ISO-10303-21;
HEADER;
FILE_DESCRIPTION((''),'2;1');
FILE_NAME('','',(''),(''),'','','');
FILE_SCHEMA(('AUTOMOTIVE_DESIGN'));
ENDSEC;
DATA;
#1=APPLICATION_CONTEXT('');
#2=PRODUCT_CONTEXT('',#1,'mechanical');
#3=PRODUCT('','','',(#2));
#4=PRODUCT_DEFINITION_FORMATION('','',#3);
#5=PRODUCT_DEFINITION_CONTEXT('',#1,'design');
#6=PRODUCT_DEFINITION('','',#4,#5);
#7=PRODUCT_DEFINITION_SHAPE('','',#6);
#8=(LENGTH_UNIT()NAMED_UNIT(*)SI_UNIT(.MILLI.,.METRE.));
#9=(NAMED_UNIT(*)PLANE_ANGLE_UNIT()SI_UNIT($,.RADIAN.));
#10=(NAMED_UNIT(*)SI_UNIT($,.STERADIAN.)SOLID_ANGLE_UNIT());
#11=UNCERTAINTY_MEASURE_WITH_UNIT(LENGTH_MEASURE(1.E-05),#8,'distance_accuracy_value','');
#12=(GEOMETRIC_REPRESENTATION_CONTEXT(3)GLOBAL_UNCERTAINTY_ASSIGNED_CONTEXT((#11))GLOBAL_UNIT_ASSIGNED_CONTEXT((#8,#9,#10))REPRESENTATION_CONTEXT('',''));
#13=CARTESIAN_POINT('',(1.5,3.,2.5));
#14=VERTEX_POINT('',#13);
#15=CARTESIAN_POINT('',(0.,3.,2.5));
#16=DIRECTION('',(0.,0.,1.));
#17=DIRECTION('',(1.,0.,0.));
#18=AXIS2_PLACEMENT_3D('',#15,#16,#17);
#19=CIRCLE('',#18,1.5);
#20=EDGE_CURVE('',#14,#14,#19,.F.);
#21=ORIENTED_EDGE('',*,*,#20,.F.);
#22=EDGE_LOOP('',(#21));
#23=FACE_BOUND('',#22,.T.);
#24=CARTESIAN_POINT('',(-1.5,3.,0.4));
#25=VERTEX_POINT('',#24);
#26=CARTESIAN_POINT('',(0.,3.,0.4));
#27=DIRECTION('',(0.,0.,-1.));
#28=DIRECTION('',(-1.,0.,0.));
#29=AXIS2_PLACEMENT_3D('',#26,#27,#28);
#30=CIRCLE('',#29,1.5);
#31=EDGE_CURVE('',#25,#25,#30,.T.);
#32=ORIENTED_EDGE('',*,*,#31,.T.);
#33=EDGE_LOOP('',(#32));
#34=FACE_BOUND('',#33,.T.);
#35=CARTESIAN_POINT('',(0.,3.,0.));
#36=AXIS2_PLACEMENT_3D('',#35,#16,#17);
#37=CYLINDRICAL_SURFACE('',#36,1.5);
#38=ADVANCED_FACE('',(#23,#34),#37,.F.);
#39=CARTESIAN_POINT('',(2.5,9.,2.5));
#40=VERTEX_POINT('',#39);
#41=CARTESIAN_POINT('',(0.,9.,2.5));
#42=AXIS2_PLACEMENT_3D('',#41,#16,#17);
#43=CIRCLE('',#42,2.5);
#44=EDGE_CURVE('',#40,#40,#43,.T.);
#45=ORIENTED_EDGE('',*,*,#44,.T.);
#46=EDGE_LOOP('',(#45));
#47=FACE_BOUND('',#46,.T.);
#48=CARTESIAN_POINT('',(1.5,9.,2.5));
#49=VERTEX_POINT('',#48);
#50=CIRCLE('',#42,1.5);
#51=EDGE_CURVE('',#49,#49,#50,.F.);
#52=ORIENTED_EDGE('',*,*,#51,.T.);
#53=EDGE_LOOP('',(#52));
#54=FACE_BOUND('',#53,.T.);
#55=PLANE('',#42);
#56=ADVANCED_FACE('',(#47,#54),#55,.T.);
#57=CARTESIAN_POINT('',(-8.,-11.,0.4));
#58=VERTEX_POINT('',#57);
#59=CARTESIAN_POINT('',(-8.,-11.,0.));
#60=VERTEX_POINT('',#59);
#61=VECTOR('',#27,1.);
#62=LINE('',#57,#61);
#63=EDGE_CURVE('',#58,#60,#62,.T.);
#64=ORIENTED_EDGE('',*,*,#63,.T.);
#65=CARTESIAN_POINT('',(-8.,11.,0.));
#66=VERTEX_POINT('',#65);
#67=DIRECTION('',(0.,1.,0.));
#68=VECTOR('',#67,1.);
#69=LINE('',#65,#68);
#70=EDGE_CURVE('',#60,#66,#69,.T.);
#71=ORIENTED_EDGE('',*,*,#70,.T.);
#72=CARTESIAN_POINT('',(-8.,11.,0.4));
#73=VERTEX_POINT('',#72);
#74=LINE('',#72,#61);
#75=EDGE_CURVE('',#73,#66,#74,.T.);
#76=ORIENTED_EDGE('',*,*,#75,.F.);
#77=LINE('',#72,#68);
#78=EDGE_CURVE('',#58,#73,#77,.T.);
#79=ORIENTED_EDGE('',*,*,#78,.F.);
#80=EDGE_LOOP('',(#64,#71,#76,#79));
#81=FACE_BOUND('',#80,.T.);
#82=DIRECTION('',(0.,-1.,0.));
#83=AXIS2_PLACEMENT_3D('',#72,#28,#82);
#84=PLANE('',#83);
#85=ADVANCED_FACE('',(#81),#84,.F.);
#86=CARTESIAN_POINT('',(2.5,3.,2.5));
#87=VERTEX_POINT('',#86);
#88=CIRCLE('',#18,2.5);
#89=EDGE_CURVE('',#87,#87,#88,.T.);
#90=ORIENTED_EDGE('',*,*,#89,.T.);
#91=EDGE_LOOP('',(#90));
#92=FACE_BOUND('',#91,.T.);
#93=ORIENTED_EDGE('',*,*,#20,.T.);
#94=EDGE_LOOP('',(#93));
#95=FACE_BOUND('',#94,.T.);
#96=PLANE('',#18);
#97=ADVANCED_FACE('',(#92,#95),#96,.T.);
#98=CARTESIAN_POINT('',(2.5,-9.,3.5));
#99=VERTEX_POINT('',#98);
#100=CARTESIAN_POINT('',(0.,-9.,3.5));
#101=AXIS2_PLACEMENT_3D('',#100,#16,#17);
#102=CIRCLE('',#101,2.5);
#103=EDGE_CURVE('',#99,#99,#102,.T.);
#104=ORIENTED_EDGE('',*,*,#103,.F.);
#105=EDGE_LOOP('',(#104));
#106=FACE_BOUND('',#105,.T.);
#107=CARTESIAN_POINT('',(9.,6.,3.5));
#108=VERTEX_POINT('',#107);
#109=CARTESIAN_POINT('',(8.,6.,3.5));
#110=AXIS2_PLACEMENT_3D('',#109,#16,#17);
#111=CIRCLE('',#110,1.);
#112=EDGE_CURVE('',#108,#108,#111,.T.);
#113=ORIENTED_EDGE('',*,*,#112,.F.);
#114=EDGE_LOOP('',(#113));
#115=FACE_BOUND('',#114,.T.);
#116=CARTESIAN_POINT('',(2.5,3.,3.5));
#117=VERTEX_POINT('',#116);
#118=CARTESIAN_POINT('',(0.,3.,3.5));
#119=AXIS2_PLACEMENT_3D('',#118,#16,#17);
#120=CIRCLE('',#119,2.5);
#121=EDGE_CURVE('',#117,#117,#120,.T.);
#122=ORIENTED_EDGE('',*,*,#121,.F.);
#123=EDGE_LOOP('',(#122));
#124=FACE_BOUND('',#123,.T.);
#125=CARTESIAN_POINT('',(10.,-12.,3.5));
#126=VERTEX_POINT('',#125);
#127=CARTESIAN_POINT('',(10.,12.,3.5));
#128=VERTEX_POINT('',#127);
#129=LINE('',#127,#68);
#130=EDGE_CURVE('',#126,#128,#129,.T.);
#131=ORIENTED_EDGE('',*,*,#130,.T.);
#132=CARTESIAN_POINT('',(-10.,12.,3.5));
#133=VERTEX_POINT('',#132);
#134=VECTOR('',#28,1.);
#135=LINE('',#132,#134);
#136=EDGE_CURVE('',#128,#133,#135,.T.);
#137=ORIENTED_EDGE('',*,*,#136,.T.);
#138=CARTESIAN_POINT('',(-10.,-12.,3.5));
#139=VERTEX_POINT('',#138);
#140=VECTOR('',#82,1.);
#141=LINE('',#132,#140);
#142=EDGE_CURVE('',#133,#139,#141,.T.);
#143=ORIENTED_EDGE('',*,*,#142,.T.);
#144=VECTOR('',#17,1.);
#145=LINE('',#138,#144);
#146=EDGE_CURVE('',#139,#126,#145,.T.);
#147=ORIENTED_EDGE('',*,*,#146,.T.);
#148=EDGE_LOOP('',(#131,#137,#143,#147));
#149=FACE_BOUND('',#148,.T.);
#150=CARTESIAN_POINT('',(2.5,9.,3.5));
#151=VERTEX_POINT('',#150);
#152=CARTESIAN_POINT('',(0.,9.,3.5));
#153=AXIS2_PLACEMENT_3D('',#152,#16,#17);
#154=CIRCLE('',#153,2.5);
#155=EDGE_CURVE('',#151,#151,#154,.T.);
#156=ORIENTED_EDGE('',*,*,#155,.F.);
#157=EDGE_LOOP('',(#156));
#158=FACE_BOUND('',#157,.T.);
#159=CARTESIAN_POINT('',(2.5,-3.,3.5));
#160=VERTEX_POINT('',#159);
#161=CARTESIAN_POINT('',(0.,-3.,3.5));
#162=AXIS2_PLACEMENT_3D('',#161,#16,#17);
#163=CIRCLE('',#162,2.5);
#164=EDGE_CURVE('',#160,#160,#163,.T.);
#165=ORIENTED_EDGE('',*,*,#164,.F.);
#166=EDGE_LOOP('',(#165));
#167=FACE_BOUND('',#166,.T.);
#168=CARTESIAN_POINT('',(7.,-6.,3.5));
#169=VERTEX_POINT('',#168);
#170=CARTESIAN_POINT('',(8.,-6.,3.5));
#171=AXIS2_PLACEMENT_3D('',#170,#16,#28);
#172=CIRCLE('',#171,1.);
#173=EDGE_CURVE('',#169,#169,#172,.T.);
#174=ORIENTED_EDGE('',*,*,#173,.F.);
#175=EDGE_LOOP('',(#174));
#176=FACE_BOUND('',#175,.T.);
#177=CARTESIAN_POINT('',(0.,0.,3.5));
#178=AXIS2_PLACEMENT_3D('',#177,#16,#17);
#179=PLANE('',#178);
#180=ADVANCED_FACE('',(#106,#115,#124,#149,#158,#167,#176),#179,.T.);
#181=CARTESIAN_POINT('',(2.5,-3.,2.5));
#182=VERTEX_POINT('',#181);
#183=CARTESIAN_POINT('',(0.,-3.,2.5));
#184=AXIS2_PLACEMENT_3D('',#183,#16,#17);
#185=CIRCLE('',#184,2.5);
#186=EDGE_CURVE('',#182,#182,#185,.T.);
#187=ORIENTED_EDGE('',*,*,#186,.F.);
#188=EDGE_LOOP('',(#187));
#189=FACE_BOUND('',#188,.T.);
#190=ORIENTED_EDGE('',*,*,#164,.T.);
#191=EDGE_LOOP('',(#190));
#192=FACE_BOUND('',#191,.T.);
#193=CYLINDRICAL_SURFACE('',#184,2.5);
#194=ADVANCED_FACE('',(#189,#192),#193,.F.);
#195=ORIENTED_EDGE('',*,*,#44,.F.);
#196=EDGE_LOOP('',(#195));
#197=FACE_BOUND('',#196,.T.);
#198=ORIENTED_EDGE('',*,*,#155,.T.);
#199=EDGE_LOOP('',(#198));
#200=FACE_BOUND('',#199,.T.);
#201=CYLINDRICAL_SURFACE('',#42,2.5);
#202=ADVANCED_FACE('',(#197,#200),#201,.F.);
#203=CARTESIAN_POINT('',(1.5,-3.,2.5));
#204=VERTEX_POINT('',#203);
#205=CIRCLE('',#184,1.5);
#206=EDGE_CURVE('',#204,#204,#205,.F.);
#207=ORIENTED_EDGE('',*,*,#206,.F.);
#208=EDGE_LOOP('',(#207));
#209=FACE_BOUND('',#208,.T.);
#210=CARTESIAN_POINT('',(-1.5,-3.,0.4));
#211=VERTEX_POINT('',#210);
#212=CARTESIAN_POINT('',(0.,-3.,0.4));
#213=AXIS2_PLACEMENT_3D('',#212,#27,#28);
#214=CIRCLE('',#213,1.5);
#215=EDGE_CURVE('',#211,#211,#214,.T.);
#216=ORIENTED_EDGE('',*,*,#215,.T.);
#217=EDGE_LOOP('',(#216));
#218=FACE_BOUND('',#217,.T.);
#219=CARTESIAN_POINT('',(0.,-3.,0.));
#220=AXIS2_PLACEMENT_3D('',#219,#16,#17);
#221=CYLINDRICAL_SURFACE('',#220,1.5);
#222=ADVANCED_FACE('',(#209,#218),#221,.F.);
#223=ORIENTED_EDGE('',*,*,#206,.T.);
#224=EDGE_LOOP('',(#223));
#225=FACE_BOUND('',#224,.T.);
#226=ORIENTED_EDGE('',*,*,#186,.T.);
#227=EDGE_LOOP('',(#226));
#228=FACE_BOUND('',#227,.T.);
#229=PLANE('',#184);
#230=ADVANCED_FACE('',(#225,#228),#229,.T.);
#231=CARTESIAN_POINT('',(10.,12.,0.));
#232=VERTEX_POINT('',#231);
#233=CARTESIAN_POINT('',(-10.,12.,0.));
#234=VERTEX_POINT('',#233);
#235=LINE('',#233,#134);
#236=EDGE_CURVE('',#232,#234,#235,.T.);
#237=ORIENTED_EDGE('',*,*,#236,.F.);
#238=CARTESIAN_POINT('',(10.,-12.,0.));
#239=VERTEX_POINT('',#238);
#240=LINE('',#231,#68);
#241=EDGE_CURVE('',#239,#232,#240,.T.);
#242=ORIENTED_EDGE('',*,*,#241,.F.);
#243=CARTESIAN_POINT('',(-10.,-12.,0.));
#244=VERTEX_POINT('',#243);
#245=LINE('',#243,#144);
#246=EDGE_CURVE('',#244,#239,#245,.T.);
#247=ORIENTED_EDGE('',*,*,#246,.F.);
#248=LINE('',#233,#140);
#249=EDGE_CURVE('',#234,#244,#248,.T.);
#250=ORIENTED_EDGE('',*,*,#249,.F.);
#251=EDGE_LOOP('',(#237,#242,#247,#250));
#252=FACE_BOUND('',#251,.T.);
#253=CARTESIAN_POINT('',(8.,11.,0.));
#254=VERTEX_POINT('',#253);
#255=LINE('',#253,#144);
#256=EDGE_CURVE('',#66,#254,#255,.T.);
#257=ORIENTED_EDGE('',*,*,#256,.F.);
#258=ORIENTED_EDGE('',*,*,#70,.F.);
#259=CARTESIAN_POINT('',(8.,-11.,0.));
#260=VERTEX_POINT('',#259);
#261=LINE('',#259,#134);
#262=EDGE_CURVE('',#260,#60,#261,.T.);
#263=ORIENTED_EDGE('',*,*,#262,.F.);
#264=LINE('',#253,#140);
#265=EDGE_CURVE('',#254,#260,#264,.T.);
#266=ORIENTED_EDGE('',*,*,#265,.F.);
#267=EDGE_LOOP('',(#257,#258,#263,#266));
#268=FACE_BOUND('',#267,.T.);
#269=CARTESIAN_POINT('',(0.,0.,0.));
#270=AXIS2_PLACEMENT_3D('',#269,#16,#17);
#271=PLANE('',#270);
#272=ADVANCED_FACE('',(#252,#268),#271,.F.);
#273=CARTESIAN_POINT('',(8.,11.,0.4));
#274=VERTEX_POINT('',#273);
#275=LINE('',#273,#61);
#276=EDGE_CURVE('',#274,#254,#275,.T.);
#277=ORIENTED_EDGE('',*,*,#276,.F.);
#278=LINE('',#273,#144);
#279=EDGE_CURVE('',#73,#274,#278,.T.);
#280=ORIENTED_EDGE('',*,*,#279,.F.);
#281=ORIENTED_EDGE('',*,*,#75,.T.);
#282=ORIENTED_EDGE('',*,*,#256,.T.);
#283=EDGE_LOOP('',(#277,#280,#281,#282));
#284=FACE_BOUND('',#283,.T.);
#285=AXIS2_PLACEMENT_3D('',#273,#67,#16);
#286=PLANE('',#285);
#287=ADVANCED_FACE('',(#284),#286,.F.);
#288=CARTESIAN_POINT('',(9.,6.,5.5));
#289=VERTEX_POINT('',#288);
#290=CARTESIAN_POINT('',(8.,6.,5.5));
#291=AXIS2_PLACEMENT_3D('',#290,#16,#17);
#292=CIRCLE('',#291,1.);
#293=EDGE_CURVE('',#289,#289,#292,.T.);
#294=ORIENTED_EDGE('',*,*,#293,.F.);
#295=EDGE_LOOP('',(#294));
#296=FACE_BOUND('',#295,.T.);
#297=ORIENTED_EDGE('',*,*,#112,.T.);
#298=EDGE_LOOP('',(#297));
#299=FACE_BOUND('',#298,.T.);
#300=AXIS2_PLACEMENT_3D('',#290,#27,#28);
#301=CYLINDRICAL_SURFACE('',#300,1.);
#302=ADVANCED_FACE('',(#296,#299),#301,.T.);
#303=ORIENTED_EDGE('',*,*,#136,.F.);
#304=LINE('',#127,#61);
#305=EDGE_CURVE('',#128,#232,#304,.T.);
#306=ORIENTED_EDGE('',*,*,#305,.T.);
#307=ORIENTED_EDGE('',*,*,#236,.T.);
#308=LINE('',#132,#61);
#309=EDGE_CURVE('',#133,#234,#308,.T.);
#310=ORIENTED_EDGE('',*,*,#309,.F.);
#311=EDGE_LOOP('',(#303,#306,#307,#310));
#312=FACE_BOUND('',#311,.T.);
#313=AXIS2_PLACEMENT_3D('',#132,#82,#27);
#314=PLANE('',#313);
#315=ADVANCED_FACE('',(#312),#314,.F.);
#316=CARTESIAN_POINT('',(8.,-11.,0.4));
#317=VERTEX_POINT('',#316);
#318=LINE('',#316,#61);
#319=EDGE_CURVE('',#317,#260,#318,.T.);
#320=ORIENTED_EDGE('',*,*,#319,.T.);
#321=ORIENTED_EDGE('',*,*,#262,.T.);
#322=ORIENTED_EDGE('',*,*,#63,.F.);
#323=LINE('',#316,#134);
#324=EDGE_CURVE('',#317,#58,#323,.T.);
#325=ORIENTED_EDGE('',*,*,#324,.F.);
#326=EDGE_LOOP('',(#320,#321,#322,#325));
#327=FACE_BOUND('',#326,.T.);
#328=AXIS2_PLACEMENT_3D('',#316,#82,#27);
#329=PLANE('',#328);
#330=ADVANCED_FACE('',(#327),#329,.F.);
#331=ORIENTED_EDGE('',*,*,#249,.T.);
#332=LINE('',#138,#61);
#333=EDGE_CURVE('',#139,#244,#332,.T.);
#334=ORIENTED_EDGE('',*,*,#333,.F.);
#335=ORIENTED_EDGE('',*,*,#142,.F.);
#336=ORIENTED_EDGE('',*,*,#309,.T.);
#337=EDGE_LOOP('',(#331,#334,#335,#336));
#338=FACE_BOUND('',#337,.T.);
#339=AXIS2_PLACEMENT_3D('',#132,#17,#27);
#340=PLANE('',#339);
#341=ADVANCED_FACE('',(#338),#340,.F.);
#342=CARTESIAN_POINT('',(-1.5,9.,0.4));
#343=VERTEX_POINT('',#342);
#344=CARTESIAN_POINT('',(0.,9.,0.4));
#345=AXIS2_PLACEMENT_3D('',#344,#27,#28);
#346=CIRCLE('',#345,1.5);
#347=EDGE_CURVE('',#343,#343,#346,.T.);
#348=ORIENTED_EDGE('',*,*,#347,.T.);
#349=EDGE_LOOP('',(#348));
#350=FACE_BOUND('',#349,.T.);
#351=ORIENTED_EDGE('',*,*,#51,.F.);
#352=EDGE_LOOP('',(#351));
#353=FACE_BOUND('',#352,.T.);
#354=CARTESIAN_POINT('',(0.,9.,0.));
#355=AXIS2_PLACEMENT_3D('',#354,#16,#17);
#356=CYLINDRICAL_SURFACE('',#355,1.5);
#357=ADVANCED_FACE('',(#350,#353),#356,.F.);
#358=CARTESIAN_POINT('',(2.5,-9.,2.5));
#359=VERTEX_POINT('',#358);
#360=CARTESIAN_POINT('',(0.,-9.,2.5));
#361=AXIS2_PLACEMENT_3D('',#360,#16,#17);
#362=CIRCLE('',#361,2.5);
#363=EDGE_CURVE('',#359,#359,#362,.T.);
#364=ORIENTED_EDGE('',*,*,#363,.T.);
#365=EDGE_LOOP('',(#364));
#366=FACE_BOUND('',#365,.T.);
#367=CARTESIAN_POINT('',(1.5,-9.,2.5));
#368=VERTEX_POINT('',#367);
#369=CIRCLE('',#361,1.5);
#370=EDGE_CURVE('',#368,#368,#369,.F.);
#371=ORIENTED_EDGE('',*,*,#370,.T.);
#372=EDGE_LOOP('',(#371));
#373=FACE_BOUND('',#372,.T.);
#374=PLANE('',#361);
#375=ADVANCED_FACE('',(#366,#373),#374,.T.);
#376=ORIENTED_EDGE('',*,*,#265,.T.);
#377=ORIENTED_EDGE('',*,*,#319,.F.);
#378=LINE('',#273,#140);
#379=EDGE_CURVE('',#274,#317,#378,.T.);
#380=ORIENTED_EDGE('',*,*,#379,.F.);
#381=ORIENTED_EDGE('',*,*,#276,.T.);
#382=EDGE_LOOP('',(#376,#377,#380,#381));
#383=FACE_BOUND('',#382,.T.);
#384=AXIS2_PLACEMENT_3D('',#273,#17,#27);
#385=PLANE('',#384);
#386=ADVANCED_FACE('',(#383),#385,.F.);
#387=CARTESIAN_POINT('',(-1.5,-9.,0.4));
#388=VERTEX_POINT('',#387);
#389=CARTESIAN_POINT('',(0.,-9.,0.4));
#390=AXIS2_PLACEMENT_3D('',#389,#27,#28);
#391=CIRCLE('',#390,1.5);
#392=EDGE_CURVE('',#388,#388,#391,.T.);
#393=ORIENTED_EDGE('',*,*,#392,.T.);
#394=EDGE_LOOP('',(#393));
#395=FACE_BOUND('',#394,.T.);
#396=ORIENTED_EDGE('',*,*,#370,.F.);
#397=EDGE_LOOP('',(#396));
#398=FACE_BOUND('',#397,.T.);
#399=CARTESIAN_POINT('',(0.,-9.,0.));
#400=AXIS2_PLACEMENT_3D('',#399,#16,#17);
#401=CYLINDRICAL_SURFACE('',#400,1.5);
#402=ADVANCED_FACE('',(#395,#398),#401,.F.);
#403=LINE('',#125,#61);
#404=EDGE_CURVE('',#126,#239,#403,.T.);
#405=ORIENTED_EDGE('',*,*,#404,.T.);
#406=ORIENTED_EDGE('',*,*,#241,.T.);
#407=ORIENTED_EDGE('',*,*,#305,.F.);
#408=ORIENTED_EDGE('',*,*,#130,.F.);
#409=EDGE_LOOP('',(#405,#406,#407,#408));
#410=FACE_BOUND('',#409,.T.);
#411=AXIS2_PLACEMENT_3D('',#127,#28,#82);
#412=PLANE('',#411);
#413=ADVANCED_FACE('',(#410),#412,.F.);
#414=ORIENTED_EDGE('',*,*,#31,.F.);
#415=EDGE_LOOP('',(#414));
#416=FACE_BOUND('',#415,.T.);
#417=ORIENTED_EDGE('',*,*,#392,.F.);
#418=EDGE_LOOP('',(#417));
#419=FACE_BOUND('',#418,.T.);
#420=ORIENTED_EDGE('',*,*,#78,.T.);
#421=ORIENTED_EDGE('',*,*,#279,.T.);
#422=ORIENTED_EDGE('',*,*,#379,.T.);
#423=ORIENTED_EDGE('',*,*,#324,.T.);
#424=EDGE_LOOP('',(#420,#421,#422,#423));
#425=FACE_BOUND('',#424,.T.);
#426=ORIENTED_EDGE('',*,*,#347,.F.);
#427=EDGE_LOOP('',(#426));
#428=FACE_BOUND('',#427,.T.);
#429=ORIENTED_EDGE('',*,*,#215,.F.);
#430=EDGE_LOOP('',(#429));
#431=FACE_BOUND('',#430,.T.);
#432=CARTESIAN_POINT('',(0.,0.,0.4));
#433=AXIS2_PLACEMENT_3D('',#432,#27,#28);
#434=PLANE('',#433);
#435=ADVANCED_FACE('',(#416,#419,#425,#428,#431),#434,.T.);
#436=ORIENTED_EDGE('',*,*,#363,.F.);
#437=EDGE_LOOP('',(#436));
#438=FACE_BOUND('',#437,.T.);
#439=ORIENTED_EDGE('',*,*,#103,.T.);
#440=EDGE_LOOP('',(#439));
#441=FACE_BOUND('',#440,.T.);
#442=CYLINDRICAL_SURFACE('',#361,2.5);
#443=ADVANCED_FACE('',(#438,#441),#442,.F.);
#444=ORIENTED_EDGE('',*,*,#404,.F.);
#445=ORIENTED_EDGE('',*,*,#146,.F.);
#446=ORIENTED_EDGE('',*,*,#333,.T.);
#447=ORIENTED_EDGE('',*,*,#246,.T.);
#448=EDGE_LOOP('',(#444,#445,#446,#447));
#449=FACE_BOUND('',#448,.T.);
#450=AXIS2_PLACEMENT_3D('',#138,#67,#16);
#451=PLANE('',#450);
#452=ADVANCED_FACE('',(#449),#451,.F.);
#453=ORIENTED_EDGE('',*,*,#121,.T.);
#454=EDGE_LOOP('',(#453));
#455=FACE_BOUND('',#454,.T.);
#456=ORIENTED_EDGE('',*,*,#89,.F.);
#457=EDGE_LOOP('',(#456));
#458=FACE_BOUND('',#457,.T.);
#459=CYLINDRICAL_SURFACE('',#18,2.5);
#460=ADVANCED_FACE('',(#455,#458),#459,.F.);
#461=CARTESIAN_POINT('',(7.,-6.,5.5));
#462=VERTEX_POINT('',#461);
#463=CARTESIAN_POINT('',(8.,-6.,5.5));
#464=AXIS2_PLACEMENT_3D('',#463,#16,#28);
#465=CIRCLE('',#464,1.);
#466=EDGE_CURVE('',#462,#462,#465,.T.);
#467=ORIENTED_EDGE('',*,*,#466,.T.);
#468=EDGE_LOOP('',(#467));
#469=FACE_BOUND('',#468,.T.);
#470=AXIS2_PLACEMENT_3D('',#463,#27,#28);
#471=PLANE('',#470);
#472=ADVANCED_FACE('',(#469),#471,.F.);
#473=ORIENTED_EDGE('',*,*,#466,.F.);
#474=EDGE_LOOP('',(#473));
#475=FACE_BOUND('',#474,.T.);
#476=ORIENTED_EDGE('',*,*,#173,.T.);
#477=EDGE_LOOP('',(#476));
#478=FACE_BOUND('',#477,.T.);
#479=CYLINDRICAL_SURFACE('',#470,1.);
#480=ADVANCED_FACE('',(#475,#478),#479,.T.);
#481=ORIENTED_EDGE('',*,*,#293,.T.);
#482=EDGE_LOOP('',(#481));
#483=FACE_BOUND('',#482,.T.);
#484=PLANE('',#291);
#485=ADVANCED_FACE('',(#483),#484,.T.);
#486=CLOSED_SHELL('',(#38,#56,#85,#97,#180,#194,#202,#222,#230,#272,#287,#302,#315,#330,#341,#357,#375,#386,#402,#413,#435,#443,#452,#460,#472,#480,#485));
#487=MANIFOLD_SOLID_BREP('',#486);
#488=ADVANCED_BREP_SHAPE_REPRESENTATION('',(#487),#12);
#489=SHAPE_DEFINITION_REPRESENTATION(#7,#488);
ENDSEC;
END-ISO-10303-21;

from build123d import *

# Parameters (mm, degrees)
SKETCH1_W           = 20
SKETCH1_H           = 24
BOSS_EXTRUDE1_DEPTH = 3.5
SKETCH2_W           = 16
SKETCH2_H           = 22
CUT_EXTRUDE1_DEPTH  = 0.4
SKETCH3_R           = 1.5
CUT_EXTRUDE2_DEPTH  = 17.007810594
SKETCH4_R           = 2.5
CUT_EXTRUDE3_DEPTH  = 1
SKETCH5_R           = 1
BOSS_EXTRUDE2_DEPTH = 2


with BuildPart() as part:
    # Sketch1 → Boss-Extrude1 (new body)
    with BuildSketch(Plane.XY):
        Rectangle(SKETCH1_W, SKETCH1_H)
    extrude(amount=BOSS_EXTRUDE1_DEPTH)

    # Sketch2 → Cut-Extrude1 (cut)
    with BuildSketch(Plane(origin=(0, 0, 0), x_dir=(-1, 0, 0), z_dir=(0, 0, -1))):
        Rectangle(SKETCH2_W, SKETCH2_H)
    extrude(amount=-CUT_EXTRUDE1_DEPTH, mode=Mode.SUBTRACT)

    # Sketch3 → Cut-Extrude2 (cut, through all)
    with BuildSketch(Plane.XY.offset(3.5)):
        with Locations((0, 3)):
            Circle(SKETCH3_R)
        with Locations((0, 9)):
            Circle(SKETCH3_R)
        with Locations(Location((0, -9, 0), (0, 0, 180))):
            Circle(SKETCH3_R)
        with Locations(Location((0, -3, 0), (0, 0, 180))):
            Circle(SKETCH3_R)
    extrude(amount=-CUT_EXTRUDE2_DEPTH, mode=Mode.SUBTRACT)

    # Sketch4 → Cut-Extrude3 (cut)
    with BuildSketch(Plane.XY.offset(3.5)):
        with Locations((0, 9)):
            Circle(SKETCH4_R)
    cut_extrude3 = extrude(amount=-CUT_EXTRUDE3_DEPTH, mode=Mode.SUBTRACT)

    # Sketch-Pattern1: Cut-Extrude3 at 3 more places
    with Locations((0, -6, 0), (0, -12, 0), (0, -18, 0)):
        add(cut_extrude3, mode=Mode.SUBTRACT)

    # Sketch5 → Boss-Extrude2 (add)
    with BuildSketch(Plane.XY.offset(3.5)):
        with Locations((8, 6)):
            Circle(SKETCH5_R)
        with Locations(Location((8, -6, 0), (0, 0, 180))):
            Circle(SKETCH5_R)
    extrude(amount=BOSS_EXTRUDE2_DEPTH)


solid = part.part
